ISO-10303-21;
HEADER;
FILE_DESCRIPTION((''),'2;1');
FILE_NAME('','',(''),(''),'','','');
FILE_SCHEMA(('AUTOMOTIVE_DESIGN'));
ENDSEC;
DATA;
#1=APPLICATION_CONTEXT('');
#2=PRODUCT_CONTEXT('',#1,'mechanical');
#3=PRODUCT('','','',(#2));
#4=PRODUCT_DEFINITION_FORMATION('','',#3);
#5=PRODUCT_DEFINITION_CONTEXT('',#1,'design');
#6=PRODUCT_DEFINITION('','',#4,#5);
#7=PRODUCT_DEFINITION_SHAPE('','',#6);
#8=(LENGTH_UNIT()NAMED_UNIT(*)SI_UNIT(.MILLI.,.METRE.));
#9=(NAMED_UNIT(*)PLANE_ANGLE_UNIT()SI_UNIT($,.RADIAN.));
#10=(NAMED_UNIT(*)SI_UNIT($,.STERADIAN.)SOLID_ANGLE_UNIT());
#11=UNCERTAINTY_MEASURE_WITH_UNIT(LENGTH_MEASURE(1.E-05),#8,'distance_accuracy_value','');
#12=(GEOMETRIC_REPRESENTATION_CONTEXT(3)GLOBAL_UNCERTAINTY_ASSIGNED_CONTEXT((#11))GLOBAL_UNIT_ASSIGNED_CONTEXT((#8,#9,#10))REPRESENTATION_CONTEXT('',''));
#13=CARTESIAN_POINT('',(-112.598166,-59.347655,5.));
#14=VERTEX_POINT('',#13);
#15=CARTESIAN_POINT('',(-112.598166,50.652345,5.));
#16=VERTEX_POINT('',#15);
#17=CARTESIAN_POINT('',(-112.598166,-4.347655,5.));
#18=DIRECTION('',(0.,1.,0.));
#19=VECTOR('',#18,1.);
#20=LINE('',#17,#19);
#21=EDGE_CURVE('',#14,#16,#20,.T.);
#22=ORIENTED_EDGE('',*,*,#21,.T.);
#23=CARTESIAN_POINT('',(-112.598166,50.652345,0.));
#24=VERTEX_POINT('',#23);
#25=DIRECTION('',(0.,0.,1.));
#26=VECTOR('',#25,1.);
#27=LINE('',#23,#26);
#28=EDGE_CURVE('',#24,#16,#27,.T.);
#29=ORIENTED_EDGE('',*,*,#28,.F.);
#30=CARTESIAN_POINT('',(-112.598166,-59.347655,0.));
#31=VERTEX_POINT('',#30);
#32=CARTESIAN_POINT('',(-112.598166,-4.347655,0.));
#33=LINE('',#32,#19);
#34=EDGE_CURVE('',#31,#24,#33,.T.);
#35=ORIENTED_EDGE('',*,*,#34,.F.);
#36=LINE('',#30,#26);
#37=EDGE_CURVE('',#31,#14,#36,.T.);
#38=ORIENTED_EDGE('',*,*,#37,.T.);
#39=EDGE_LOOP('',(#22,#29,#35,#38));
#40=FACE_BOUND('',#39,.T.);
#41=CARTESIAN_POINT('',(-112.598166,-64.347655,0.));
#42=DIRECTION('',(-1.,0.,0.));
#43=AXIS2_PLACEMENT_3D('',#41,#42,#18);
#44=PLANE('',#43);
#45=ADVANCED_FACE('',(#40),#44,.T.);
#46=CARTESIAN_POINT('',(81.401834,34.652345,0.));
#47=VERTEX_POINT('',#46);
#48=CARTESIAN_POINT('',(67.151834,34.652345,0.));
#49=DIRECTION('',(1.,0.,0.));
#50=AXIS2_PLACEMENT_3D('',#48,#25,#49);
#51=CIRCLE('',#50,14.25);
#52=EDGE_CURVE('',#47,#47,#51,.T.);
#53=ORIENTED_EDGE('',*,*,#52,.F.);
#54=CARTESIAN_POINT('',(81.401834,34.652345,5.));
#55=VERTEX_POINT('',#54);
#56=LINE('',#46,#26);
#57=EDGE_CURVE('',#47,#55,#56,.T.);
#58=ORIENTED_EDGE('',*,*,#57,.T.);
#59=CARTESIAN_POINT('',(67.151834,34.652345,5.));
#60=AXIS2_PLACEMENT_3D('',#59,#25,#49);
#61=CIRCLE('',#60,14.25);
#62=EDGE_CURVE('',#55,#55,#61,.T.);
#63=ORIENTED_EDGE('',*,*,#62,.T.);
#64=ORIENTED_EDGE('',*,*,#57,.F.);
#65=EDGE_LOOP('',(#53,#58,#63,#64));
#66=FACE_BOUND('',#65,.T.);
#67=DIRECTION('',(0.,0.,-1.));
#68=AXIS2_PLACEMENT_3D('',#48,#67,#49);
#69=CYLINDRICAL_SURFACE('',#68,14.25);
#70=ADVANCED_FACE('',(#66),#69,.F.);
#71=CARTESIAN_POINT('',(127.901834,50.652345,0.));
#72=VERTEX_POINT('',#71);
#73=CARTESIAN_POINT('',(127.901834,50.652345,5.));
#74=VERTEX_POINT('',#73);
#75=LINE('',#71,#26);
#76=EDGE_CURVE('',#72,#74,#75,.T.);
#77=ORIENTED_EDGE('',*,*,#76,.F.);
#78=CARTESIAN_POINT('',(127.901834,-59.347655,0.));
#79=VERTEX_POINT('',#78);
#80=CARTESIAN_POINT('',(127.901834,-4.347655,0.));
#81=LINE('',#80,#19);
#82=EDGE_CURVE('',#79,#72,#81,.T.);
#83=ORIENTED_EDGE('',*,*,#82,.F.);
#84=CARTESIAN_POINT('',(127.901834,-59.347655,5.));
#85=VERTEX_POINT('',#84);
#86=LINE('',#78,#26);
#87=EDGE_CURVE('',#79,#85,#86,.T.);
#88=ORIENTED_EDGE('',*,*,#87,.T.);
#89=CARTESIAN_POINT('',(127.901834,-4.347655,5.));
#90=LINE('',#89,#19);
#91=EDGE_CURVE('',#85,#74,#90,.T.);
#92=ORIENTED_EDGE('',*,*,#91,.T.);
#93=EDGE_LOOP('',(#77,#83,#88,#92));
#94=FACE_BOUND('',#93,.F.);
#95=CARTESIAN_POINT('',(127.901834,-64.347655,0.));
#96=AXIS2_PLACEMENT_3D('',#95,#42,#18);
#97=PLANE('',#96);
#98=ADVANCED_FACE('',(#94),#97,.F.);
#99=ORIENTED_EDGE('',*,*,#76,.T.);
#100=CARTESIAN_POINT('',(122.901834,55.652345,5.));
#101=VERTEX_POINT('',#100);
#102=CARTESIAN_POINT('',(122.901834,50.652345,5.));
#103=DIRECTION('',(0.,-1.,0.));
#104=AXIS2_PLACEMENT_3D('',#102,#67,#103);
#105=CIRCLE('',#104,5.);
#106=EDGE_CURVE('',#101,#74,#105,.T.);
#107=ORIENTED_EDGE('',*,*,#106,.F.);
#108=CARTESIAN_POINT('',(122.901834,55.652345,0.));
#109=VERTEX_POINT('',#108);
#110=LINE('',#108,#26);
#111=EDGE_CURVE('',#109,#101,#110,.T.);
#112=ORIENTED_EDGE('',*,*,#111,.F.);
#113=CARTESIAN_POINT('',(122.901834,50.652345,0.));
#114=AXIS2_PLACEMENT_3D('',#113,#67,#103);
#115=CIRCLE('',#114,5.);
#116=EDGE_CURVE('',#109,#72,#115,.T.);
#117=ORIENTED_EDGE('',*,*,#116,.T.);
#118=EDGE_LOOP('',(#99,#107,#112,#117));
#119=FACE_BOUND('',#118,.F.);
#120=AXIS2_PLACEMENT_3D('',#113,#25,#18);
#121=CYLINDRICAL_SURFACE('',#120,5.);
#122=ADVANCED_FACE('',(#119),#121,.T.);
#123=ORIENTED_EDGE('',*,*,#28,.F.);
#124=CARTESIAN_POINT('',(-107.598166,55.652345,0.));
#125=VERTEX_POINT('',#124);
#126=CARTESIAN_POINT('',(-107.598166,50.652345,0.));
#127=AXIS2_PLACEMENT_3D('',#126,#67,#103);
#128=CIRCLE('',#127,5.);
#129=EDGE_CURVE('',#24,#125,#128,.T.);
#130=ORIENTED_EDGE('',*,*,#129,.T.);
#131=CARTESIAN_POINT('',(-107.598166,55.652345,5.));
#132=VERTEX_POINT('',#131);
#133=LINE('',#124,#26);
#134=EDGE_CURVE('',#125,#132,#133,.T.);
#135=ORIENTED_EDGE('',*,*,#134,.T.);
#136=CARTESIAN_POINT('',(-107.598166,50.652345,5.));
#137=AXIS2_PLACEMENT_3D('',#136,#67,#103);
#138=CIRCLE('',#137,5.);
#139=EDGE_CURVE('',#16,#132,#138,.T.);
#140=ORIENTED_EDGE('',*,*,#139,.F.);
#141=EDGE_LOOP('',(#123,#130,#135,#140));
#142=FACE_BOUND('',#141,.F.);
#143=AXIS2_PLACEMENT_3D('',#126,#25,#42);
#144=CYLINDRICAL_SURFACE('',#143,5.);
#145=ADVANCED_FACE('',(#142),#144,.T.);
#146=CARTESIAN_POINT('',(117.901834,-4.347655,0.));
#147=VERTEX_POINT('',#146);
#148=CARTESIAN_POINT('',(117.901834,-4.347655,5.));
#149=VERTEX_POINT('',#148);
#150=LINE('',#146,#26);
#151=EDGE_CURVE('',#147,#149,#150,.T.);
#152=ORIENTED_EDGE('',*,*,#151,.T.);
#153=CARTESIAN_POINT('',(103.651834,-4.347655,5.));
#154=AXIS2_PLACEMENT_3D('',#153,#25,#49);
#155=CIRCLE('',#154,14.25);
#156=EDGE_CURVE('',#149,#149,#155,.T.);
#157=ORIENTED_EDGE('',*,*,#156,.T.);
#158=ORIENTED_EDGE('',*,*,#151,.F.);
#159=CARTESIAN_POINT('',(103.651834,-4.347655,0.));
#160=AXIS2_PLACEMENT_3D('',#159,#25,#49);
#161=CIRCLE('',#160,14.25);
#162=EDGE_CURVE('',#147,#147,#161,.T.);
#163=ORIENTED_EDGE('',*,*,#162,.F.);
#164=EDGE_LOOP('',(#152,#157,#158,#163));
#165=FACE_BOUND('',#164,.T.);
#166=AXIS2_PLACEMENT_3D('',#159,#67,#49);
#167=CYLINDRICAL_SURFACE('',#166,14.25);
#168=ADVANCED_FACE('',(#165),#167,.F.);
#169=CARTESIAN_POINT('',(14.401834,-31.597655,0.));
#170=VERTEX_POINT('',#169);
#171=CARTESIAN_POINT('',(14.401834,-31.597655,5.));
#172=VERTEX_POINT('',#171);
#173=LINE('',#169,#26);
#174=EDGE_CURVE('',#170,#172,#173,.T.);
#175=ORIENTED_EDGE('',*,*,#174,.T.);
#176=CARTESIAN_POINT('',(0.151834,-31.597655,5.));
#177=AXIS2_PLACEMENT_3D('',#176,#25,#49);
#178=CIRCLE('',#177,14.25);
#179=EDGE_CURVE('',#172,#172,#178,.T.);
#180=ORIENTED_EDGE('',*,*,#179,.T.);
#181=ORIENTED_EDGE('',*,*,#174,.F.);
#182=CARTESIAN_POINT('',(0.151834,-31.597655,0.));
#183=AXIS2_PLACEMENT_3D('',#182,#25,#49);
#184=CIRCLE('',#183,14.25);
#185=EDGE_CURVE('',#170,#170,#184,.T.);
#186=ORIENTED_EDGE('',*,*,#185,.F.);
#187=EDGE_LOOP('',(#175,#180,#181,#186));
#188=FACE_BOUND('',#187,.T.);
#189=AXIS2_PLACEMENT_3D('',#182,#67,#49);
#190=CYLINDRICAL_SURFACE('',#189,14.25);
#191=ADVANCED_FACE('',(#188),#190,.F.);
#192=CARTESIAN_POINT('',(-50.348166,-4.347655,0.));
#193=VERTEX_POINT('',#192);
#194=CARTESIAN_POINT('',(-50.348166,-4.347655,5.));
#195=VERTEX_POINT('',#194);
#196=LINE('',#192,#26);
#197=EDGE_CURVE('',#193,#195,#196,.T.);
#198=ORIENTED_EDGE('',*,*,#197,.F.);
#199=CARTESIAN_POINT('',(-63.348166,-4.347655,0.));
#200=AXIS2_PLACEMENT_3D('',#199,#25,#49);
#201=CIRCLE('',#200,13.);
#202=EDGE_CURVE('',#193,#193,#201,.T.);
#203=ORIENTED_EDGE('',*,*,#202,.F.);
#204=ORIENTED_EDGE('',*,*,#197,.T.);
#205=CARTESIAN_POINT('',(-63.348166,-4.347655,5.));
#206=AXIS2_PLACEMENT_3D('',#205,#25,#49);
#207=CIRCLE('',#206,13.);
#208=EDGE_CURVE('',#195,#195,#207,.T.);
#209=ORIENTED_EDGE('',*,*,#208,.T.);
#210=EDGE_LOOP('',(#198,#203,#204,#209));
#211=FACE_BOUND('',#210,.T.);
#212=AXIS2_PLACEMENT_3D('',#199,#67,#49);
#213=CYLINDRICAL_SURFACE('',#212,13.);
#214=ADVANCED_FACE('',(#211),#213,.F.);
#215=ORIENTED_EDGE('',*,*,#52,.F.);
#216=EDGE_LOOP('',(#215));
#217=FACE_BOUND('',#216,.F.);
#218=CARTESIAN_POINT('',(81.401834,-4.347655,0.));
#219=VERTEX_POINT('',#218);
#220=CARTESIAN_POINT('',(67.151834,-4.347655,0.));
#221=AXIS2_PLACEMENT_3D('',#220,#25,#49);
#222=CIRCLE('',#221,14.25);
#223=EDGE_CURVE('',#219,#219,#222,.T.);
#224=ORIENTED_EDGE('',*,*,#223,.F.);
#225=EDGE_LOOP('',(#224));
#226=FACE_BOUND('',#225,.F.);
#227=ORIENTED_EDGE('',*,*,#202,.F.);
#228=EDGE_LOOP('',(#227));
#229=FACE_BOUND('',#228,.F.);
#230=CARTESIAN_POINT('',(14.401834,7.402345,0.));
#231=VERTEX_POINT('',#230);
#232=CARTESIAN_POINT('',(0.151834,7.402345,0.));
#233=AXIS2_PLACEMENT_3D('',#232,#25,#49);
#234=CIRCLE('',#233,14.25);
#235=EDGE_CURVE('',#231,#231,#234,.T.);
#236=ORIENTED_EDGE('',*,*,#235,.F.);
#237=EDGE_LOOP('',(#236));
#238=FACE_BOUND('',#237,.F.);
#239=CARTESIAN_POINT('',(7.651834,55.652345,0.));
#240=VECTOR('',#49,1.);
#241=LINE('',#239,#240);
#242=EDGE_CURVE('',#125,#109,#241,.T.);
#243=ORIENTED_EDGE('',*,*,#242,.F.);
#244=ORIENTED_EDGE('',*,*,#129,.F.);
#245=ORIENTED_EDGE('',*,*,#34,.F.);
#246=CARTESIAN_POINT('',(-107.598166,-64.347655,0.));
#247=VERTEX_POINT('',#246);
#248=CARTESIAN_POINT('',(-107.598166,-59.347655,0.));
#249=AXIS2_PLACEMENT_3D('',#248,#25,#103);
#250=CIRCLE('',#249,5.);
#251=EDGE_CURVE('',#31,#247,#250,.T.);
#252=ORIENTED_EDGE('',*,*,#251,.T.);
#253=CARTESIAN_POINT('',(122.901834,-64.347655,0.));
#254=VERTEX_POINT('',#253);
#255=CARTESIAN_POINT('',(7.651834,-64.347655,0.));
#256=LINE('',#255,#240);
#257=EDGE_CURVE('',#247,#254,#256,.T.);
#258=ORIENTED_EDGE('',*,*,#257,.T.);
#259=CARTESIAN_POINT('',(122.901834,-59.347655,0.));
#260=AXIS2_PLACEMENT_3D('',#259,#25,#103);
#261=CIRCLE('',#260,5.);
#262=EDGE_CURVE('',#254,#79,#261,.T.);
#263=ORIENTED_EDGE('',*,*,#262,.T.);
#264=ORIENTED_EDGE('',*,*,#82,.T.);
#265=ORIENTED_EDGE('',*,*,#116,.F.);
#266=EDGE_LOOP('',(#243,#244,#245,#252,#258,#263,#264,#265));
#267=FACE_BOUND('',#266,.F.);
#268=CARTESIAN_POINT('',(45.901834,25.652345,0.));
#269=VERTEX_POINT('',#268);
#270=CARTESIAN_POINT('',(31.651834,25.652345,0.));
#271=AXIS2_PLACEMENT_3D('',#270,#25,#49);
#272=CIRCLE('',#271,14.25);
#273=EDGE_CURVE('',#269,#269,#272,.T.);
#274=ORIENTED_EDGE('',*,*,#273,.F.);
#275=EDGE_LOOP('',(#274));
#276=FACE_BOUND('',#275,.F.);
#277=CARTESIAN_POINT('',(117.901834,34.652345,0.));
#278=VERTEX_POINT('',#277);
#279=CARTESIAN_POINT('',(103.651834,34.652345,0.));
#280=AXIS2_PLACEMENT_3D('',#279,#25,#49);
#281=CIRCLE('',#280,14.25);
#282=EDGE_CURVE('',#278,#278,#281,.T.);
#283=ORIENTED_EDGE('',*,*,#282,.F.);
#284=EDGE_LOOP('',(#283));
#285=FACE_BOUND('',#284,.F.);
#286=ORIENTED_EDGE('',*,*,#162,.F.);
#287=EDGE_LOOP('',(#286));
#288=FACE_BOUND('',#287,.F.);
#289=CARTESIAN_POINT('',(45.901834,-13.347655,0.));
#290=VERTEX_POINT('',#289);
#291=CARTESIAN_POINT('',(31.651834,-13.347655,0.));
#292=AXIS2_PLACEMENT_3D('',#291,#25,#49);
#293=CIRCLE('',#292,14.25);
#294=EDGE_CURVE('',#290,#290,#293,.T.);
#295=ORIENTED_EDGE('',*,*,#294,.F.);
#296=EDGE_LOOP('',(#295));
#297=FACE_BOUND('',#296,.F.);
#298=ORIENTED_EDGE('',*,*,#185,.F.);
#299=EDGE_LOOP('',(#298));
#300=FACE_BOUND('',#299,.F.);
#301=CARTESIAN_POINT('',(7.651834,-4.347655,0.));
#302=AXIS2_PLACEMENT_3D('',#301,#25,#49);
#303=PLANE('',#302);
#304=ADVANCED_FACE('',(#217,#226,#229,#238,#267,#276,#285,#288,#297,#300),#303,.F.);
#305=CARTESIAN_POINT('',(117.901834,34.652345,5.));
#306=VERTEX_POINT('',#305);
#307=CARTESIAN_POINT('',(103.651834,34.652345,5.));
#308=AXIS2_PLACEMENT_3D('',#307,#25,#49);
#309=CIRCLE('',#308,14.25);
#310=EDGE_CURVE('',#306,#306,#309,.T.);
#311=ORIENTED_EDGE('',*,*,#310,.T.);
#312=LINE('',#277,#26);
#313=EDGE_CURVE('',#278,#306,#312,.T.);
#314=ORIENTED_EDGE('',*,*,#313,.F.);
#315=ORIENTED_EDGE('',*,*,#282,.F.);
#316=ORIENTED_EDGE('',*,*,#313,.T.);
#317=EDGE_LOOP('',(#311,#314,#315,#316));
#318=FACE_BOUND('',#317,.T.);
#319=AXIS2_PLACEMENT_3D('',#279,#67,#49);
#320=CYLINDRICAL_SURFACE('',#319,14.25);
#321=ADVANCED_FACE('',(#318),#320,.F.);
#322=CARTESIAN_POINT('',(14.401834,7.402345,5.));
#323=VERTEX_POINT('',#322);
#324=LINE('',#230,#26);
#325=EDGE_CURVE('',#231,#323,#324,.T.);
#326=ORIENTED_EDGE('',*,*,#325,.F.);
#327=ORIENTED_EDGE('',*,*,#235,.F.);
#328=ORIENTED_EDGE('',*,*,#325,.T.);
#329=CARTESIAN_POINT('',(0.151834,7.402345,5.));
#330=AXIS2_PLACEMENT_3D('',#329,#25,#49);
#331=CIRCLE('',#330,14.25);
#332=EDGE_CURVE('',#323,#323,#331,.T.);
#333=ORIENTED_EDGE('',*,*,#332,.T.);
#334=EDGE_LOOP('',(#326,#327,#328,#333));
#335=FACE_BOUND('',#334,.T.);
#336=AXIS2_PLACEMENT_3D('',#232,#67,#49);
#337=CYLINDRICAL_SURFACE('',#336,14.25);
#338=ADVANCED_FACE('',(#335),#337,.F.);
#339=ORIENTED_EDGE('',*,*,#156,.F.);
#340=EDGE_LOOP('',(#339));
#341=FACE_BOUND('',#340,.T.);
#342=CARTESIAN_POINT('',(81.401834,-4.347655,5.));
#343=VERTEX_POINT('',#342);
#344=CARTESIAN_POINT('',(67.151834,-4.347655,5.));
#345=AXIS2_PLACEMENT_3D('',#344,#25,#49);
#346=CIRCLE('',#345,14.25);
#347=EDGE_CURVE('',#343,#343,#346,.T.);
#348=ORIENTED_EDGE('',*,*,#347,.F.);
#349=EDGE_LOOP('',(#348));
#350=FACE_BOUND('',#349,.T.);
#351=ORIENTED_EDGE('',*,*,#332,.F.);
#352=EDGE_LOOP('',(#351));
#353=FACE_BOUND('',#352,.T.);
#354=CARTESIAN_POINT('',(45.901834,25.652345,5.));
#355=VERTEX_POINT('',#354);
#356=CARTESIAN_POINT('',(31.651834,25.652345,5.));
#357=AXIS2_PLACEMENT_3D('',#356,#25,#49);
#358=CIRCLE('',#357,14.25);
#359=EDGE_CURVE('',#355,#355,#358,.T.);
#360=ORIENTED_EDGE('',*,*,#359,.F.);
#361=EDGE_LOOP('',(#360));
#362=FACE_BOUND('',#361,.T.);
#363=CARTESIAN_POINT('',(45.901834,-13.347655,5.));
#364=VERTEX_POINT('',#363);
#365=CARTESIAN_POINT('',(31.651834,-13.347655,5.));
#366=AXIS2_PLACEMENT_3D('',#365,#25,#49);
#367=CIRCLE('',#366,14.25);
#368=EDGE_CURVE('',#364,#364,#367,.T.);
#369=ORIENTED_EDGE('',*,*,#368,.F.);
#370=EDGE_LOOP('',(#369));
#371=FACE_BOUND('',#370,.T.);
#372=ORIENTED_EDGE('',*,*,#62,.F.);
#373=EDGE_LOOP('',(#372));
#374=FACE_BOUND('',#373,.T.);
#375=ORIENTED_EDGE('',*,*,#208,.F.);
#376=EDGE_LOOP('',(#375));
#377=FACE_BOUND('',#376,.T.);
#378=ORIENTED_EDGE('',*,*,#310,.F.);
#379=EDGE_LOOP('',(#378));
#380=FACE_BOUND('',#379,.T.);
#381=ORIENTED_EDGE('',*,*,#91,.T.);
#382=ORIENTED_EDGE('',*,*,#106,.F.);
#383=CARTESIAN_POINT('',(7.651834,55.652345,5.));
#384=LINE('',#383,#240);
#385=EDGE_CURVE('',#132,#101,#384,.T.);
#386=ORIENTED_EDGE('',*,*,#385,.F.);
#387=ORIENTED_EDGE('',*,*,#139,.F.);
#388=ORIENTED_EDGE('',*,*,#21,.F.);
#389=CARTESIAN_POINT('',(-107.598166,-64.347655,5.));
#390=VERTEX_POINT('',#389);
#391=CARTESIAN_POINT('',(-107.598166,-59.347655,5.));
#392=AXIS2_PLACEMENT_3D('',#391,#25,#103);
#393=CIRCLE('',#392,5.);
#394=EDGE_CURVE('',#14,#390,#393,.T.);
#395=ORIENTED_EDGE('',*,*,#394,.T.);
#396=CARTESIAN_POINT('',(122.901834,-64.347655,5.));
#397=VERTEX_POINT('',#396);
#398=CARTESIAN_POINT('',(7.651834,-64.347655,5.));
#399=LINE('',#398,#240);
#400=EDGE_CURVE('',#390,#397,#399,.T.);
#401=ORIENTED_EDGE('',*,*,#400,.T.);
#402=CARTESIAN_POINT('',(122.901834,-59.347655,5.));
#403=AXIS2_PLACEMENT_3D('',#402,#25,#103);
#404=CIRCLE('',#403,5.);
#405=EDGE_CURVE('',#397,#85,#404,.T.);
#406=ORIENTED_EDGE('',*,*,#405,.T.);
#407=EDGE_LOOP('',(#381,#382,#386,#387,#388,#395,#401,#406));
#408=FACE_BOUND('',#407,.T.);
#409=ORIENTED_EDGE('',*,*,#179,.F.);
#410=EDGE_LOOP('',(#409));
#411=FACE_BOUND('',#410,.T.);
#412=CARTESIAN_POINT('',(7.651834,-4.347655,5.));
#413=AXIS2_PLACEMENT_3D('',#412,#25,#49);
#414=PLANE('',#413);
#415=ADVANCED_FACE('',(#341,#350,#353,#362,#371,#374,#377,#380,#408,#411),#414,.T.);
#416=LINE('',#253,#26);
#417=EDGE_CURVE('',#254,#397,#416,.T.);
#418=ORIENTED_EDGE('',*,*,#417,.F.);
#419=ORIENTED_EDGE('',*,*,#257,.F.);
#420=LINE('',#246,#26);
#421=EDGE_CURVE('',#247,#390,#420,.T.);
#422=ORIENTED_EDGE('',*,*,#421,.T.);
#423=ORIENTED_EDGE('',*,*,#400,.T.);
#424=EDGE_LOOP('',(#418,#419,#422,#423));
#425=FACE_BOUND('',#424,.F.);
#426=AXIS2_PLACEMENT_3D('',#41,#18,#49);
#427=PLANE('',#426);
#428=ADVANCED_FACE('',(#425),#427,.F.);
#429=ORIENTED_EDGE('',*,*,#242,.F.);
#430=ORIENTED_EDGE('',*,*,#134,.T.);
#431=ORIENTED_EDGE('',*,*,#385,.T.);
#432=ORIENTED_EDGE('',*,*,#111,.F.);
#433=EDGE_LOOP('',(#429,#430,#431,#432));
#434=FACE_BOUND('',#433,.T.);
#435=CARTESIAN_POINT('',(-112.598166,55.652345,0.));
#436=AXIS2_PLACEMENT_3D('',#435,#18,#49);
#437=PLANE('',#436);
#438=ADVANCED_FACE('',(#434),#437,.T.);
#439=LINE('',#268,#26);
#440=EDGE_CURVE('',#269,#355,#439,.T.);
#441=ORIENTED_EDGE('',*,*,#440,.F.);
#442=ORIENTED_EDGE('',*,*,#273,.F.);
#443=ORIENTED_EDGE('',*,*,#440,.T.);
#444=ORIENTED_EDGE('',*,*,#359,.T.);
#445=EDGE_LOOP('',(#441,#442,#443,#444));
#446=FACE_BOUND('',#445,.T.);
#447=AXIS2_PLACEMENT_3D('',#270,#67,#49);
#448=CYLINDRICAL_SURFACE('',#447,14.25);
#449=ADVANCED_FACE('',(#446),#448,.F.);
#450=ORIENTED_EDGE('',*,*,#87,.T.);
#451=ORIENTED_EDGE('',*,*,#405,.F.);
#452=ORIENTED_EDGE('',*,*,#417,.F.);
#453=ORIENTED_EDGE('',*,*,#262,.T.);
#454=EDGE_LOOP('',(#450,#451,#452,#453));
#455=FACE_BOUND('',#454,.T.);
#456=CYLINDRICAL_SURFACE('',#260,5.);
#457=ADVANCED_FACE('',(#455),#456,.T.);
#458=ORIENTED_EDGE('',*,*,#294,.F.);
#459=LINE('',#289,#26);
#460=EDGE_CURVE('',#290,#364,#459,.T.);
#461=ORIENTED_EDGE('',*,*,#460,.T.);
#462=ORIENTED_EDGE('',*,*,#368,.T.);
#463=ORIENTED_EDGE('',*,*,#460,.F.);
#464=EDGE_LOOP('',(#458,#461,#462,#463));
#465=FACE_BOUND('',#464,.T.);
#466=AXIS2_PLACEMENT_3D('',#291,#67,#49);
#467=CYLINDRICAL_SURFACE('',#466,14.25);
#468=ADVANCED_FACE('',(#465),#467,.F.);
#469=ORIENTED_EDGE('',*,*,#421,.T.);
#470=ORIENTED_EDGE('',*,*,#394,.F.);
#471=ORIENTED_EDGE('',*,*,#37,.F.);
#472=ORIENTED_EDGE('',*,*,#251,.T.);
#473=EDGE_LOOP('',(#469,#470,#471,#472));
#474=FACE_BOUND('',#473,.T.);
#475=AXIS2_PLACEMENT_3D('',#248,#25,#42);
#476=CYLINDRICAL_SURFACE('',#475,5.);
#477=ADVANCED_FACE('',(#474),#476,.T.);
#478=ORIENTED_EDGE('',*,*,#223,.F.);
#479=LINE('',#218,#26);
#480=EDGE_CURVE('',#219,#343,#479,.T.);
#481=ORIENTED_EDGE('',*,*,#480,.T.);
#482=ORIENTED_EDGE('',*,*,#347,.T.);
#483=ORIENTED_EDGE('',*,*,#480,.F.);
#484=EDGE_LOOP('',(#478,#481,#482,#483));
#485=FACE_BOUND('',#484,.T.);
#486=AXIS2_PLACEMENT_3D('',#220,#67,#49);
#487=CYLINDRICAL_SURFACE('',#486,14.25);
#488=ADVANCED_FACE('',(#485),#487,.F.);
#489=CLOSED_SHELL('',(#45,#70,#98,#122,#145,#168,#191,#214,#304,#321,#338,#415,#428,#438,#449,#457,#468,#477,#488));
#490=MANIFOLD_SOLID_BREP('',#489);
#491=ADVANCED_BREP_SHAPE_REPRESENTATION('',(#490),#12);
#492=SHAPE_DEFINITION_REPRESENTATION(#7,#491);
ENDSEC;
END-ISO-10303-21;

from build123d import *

# Parameters (mm, degrees)
F0_W     = 240.5
F0_H     = 120
F0_R     = 13
F0_R_2   = 14.25
F1_DEPTH = 5
F2_R     = 5


with BuildPart() as f1:
    # F0 (on Top) → F1 (new body)
    with BuildSketch(Plane.XY):
        with Locations((7.651834, -4.347655)):
            Rectangle(F0_W, F0_H)
        with Locations((-63.348166, -4.347655)):
            Circle(F0_R, mode=Mode.SUBTRACT)
        with Locations((0.151834, -31.597655)):
            Circle(F0_R_2, mode=Mode.SUBTRACT)
        with Locations((31.651834, -13.347655)):
            Circle(F0_R_2, mode=Mode.SUBTRACT)
        with Locations((67.151834, -4.347655)):
            Circle(F0_R_2, mode=Mode.SUBTRACT)
        with Locations((103.651834, -4.347655)):
            Circle(F0_R_2, mode=Mode.SUBTRACT)
        with Locations((0.151834, 7.402345)):
            Circle(F0_R_2, mode=Mode.SUBTRACT)
        with Locations((31.651834, 25.652345)):
            Circle(F0_R_2, mode=Mode.SUBTRACT)
        with Locations((67.151834, 34.652345)):
            Circle(F0_R_2, mode=Mode.SUBTRACT)
        with Locations((103.651834, 34.652345)):
            Circle(F0_R_2, mode=Mode.SUBTRACT)
    extrude(amount=F1_DEPTH)

    # F2
    f2_edges = [f1.edges().sort_by_distance(p)[0] for p in [
        (-112.598166, -64.347655, 2.5),
        (127.901834, -64.347655, 2.5),
        (127.901834, 55.652345, 2.5),
        (-112.598166, 55.652345, 2.5),
    ]]
    fillet(f2_edges, radius=F2_R)


solid = f1.part
